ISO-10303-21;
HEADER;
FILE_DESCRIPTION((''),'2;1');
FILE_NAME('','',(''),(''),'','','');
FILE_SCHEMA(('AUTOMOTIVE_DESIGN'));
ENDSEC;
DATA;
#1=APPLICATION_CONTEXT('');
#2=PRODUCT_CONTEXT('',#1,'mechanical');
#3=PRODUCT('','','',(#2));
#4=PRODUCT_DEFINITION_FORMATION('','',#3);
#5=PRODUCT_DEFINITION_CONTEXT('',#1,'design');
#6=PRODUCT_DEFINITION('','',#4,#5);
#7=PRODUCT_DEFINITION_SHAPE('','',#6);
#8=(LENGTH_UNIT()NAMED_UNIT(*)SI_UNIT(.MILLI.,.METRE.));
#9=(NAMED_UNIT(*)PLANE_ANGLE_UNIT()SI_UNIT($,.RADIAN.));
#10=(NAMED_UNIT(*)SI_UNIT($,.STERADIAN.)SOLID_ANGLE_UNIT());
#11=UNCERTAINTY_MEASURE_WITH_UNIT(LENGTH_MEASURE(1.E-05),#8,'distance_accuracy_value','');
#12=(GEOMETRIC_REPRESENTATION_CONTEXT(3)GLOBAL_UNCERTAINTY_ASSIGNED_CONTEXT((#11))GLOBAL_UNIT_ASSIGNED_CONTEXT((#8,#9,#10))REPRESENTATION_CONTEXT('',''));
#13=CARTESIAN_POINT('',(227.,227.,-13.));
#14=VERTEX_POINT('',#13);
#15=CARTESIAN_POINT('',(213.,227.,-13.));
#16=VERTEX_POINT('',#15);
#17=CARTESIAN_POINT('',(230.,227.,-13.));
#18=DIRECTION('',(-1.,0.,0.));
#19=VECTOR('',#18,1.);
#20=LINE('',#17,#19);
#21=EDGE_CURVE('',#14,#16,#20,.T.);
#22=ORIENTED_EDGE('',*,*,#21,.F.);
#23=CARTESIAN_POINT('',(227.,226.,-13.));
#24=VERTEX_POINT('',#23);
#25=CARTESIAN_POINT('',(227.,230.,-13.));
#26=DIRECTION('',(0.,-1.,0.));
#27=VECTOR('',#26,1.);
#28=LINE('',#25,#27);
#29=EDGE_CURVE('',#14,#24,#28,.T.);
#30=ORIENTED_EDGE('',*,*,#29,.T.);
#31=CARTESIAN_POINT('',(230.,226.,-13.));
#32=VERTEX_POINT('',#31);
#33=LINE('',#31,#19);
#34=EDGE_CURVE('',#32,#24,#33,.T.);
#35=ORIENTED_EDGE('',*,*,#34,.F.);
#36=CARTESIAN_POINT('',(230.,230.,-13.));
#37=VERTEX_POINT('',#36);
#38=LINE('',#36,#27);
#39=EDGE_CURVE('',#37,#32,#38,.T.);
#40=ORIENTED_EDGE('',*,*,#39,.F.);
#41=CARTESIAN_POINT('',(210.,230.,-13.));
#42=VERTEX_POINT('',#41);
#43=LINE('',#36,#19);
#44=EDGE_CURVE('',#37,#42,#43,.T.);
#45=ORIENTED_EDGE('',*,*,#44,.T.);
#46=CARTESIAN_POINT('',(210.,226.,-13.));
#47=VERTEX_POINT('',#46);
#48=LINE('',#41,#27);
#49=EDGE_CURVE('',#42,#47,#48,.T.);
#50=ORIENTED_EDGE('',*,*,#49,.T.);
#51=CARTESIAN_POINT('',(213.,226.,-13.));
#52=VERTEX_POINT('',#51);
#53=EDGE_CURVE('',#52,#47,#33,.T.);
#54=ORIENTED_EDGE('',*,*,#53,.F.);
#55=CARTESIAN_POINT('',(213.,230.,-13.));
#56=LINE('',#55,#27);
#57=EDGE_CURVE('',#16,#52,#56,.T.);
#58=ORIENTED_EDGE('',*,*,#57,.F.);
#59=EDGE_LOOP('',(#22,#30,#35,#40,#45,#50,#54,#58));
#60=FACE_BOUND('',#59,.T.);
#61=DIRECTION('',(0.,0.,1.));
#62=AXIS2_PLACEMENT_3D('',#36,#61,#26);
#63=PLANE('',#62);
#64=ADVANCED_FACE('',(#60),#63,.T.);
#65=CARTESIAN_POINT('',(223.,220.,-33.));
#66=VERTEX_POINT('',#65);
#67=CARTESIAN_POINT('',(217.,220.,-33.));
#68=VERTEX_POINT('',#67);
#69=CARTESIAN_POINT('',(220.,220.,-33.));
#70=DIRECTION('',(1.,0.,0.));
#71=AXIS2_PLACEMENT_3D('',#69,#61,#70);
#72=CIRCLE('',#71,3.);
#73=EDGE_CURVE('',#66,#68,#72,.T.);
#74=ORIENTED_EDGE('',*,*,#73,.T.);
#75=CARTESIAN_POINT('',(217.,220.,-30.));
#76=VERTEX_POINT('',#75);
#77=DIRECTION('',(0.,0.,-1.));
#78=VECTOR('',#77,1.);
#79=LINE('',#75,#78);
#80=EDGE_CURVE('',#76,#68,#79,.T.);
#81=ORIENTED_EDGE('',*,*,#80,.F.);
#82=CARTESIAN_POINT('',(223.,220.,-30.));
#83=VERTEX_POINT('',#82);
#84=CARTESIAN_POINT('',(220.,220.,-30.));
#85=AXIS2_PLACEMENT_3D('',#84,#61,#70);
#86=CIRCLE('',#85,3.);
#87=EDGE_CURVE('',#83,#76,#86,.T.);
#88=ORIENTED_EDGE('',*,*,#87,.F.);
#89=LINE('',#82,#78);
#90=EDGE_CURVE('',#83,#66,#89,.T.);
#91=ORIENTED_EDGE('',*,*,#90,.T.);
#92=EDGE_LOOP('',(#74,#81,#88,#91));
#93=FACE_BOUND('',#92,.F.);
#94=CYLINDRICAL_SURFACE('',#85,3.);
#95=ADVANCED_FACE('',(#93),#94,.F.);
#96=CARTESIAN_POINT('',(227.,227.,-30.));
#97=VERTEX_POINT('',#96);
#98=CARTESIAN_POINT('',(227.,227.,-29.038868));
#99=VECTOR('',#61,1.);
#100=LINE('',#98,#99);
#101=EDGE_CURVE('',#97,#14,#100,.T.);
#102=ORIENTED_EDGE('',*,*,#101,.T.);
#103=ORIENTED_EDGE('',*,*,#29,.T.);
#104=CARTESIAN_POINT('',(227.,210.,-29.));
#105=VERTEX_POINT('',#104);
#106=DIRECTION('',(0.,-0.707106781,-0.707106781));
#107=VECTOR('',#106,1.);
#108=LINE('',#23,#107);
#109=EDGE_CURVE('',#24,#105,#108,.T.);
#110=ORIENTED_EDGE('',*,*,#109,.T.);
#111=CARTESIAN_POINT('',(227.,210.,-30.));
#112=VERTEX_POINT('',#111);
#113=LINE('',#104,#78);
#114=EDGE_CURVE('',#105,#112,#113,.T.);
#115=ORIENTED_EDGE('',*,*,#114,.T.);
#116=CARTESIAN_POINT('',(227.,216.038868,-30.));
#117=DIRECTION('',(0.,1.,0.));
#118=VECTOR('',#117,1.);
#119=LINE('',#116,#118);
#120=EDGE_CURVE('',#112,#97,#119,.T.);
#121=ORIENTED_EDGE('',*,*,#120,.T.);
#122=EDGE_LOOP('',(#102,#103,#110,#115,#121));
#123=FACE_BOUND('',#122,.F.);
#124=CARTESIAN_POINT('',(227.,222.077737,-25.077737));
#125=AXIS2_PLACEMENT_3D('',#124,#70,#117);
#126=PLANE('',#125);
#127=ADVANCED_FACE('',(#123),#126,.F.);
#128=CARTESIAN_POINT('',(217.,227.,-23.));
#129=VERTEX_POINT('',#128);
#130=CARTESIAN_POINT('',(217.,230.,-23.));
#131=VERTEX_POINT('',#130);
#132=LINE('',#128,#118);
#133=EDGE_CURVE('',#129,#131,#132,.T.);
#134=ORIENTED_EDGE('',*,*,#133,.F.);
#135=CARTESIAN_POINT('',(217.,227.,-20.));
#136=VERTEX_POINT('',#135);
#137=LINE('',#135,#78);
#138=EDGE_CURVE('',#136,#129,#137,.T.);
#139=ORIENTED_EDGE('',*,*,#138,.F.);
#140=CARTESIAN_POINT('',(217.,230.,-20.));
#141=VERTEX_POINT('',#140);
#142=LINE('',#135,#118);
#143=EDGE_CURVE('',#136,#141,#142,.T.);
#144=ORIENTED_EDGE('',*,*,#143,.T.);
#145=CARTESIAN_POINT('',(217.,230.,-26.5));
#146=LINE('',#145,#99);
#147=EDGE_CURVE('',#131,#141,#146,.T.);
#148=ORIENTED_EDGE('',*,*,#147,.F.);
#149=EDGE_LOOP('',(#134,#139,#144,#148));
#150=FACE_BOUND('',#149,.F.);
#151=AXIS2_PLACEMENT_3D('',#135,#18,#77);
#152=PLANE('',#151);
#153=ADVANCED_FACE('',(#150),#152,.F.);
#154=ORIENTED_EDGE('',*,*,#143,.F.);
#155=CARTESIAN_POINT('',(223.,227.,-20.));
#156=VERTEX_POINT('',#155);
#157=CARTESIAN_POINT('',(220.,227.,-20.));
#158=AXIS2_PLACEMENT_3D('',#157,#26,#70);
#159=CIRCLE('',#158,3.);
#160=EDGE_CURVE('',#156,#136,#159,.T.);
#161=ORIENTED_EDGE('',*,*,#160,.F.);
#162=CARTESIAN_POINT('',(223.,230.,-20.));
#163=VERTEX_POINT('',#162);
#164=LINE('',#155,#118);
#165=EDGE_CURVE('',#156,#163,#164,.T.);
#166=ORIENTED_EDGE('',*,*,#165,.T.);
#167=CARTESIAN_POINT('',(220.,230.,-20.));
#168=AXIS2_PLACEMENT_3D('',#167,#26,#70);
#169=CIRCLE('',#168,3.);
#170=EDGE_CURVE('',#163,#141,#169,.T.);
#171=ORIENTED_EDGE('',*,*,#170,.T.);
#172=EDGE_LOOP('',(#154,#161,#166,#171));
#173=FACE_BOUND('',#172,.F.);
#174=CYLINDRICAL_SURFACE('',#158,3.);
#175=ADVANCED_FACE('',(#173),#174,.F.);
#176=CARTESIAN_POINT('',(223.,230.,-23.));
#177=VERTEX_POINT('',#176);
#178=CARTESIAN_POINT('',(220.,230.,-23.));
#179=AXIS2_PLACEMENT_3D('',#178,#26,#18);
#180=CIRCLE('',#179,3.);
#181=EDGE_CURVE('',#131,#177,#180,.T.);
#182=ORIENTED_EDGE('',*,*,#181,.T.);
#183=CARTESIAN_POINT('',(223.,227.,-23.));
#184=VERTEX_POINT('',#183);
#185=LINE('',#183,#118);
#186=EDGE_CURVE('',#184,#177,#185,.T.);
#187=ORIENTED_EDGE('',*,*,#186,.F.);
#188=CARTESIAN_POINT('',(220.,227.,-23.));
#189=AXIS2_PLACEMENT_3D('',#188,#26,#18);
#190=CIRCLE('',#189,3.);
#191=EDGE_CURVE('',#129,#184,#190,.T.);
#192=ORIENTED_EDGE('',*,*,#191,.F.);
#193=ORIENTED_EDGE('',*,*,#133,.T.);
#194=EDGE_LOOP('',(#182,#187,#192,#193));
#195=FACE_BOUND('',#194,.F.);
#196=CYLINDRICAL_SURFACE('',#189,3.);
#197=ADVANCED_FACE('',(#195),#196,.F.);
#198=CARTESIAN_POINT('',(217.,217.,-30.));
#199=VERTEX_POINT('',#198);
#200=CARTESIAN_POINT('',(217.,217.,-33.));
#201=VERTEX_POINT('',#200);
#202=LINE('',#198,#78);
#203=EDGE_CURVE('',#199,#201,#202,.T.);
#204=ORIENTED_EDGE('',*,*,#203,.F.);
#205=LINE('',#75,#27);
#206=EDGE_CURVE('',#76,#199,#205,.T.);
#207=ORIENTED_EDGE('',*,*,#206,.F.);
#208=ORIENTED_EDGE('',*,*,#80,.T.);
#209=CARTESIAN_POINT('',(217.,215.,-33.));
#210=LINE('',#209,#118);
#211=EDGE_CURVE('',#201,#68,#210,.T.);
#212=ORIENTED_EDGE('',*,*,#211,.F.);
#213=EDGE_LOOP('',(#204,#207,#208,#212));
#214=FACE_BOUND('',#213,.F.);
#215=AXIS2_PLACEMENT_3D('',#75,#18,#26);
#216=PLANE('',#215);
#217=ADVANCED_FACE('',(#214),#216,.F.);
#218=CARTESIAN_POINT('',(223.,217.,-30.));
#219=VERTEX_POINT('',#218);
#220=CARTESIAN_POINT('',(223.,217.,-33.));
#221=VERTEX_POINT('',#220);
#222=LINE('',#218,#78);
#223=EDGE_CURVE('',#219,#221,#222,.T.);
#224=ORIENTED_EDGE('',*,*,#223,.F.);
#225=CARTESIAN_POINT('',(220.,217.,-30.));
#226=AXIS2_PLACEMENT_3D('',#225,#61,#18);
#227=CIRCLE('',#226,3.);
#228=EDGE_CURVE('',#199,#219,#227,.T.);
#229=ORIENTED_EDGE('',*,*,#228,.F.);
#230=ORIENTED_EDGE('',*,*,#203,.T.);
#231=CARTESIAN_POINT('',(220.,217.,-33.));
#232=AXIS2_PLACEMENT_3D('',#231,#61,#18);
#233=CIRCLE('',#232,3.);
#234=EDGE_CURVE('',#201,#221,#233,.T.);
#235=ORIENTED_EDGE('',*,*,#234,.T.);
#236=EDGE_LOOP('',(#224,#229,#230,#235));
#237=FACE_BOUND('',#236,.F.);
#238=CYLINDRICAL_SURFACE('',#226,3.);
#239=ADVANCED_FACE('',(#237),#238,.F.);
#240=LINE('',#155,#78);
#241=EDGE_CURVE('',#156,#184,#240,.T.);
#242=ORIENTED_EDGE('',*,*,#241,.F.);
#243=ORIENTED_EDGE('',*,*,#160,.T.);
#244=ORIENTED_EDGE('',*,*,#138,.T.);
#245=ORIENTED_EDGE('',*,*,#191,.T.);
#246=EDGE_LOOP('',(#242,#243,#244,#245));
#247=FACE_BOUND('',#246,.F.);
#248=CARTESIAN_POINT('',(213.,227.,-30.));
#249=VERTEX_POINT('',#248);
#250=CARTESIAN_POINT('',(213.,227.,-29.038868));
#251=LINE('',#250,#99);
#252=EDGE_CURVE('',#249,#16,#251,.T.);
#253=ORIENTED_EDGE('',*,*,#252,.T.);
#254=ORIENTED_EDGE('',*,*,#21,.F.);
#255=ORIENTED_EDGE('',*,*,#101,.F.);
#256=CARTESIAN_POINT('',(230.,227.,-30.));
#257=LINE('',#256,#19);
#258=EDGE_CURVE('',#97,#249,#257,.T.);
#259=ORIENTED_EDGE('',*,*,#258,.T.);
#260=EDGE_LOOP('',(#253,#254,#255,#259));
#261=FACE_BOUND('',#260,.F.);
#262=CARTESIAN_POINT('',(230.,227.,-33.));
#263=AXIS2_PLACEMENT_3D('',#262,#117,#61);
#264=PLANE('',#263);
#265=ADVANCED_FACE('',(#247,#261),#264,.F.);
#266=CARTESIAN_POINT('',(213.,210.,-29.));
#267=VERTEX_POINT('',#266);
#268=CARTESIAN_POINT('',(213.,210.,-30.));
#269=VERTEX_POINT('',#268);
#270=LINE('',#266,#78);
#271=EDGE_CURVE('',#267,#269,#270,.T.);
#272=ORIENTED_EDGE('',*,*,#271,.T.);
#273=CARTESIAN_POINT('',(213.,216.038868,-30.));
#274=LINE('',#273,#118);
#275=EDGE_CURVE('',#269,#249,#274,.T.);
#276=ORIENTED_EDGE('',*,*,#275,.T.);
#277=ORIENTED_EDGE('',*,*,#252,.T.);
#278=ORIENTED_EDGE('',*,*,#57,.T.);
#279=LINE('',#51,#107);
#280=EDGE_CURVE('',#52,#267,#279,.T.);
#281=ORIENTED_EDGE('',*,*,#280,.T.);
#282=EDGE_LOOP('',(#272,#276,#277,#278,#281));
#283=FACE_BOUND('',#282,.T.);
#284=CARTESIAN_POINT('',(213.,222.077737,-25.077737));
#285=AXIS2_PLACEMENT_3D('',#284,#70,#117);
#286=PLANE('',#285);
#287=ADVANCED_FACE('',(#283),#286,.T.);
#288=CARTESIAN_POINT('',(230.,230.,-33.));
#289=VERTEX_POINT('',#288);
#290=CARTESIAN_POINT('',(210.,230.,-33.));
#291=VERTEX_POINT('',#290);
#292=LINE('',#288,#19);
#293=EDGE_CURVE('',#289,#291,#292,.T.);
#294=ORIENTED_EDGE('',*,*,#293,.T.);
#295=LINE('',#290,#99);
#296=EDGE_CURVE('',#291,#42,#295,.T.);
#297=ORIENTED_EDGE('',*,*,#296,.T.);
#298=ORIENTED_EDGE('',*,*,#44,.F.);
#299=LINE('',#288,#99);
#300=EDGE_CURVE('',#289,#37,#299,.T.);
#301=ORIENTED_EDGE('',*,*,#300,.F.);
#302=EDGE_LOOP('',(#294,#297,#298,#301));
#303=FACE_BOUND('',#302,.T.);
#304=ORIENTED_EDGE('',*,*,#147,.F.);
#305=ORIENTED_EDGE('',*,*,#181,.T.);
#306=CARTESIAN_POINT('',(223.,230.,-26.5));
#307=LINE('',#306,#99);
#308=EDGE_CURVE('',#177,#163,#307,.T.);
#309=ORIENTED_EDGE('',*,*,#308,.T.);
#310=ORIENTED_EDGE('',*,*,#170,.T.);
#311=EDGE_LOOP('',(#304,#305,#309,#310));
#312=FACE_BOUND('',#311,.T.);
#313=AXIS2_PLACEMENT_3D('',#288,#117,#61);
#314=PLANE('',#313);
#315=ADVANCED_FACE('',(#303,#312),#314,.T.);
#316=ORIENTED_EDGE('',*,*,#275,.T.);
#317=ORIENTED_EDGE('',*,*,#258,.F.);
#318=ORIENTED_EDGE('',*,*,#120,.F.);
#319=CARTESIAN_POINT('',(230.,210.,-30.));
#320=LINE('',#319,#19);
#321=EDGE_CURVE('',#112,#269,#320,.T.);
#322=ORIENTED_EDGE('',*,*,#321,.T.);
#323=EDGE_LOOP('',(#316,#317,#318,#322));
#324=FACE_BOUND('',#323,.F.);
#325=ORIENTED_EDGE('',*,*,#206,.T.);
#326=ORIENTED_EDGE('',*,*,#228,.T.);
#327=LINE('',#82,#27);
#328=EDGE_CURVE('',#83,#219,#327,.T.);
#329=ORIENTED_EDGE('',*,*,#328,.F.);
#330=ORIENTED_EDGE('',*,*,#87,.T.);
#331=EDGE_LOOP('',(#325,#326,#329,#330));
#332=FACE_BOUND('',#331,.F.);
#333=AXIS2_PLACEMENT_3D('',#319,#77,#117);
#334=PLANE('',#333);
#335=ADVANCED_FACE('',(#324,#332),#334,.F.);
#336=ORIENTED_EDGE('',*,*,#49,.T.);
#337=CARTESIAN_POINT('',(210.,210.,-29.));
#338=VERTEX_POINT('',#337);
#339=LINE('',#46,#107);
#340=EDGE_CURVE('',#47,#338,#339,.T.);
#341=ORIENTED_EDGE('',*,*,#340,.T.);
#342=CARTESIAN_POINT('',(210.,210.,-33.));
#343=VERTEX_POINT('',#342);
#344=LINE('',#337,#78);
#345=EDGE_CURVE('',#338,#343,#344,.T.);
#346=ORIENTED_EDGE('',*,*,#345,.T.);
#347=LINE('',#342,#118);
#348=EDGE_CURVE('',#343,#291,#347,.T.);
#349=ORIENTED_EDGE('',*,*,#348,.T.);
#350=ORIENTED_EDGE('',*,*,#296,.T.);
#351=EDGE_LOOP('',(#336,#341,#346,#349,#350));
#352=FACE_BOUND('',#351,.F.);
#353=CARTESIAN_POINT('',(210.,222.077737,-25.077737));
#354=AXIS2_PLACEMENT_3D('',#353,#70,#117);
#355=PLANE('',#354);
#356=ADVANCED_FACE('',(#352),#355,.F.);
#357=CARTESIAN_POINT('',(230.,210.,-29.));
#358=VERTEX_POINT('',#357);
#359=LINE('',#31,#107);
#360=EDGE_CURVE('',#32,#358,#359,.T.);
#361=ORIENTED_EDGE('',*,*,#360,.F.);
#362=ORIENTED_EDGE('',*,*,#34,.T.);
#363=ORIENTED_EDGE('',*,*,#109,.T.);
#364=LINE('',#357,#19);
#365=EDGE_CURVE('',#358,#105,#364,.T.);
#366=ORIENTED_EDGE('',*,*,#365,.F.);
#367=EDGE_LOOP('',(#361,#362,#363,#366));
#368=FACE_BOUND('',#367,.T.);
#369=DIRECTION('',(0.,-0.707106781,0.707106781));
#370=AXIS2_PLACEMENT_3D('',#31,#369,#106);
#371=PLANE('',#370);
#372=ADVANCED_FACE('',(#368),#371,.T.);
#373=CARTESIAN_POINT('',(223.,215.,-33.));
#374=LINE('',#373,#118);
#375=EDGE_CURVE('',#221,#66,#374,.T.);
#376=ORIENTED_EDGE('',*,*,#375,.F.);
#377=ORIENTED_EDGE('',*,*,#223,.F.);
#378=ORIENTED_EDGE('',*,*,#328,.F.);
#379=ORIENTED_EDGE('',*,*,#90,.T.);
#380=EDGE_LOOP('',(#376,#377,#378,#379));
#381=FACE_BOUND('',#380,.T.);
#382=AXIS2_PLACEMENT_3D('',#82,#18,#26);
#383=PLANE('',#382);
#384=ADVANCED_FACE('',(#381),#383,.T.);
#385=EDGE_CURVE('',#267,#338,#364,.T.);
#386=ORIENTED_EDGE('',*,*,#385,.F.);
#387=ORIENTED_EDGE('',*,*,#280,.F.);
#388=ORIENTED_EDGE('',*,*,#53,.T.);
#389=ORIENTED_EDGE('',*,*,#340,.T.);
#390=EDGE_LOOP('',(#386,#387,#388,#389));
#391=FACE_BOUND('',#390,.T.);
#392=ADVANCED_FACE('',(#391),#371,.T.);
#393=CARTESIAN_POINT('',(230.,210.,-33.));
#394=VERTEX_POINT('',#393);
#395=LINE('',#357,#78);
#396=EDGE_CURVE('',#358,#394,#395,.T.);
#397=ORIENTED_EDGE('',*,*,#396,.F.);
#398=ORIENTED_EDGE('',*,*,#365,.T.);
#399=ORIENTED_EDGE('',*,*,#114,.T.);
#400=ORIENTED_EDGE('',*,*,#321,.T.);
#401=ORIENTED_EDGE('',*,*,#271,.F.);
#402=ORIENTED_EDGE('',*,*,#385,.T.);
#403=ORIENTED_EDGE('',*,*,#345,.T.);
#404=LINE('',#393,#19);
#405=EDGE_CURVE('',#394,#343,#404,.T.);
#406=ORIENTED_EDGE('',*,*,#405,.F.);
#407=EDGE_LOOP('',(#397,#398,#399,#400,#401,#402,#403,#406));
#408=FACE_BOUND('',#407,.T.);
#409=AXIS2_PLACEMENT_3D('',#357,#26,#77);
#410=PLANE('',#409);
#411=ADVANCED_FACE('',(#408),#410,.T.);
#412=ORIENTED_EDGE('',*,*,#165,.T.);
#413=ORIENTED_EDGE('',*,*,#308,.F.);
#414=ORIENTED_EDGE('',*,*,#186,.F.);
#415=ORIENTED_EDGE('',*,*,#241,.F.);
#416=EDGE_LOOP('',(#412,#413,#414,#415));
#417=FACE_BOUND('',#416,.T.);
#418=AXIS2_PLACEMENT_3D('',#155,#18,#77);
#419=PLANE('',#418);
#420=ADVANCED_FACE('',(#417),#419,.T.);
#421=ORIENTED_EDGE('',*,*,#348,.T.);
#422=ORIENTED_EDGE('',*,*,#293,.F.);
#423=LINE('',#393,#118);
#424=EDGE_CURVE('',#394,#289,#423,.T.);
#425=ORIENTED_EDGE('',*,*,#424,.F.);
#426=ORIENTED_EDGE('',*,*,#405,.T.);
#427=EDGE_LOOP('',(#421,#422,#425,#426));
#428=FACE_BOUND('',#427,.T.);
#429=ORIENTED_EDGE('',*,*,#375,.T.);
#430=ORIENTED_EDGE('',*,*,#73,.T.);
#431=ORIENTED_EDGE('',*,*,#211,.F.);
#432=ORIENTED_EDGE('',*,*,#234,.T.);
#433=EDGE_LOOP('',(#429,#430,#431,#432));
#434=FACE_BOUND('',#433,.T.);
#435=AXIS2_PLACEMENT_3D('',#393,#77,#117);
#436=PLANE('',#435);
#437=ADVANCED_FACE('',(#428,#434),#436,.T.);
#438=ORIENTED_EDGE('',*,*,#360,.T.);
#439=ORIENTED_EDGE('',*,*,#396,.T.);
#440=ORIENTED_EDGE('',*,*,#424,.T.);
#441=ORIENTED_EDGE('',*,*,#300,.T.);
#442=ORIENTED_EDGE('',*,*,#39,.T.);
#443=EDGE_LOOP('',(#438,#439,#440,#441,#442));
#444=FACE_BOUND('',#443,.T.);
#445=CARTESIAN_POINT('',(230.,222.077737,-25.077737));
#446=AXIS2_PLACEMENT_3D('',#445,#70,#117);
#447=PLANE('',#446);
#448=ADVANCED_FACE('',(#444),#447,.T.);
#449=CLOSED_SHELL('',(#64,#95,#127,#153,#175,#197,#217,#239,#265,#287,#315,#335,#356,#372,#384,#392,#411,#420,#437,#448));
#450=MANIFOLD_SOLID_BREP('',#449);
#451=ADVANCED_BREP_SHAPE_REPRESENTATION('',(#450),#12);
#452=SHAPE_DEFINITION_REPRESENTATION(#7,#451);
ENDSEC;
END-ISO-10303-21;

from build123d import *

# Parameters (mm, degrees)
PAD102_DEPTH            = 20
THICKNESS001_T          = -3
POCKET077_DEPTH         = 5
POCKET078_DEPTH         = 5
BODY124_PLACEMENT_ANGLE = 270


with BuildPart() as part:
    # Sketch211 (on XZ_Plane1033 of Origin1405) → Pad102 (new body)
    with BuildSketch(Plane.XZ):
        Polygon((0, 0), (0, 20), (4, 20), (20, 4), (20, 0), align=None)
    extrude(amount=PAD102_DEPTH)

    # Thickness001
    thickness001_openings = [part.faces().sort_by_distance(p)[0] for p in [
        (2, -10, 20),
        (12, -10, 12),
        (20, -10, 2),
    ]]
    offset(amount=THICKNESS001_T, openings=thickness001_openings)

    # Sketch212 (on Face11 of Thickness001) → Pocket077 (cut)
    with BuildSketch(Plane.YZ.offset(3)):
        with BuildLine():
            ThreePointArc((-7, 13), (-10, 16), (-13, 13))
            Line((-13, 13), (-13, 10))
            ThreePointArc((-13, 10), (-10, 7), (-7, 10))
            Line((-7, 13), (-7, 10))
        make_face()
    extrude(amount=-POCKET077_DEPTH, mode=Mode.SUBTRACT)

    # Sketch213 (on Face16 of Pocket077) → Pocket078 (cut)
    with BuildSketch(Plane.XY.offset(3)):
        with BuildLine():
            ThreePointArc((10, -7), (7, -10), (10, -13))
            Line((10, -13), (13, -13))
            ThreePointArc((13, -13), (16, -10), (13, -7))
            Line((10, -7), (13, -7))
        make_face()
    extrude(amount=-POCKET078_DEPTH, mode=Mode.SUBTRACT)


with BuildPart() as part_1:
    # Body124 placement: moved
    add(part.part.moved(Location((230, 230, -33))).rotate(Axis((230, 230, -33), (0, 0, 1)), BODY124_PLACEMENT_ANGLE))


solid = part_1.part
